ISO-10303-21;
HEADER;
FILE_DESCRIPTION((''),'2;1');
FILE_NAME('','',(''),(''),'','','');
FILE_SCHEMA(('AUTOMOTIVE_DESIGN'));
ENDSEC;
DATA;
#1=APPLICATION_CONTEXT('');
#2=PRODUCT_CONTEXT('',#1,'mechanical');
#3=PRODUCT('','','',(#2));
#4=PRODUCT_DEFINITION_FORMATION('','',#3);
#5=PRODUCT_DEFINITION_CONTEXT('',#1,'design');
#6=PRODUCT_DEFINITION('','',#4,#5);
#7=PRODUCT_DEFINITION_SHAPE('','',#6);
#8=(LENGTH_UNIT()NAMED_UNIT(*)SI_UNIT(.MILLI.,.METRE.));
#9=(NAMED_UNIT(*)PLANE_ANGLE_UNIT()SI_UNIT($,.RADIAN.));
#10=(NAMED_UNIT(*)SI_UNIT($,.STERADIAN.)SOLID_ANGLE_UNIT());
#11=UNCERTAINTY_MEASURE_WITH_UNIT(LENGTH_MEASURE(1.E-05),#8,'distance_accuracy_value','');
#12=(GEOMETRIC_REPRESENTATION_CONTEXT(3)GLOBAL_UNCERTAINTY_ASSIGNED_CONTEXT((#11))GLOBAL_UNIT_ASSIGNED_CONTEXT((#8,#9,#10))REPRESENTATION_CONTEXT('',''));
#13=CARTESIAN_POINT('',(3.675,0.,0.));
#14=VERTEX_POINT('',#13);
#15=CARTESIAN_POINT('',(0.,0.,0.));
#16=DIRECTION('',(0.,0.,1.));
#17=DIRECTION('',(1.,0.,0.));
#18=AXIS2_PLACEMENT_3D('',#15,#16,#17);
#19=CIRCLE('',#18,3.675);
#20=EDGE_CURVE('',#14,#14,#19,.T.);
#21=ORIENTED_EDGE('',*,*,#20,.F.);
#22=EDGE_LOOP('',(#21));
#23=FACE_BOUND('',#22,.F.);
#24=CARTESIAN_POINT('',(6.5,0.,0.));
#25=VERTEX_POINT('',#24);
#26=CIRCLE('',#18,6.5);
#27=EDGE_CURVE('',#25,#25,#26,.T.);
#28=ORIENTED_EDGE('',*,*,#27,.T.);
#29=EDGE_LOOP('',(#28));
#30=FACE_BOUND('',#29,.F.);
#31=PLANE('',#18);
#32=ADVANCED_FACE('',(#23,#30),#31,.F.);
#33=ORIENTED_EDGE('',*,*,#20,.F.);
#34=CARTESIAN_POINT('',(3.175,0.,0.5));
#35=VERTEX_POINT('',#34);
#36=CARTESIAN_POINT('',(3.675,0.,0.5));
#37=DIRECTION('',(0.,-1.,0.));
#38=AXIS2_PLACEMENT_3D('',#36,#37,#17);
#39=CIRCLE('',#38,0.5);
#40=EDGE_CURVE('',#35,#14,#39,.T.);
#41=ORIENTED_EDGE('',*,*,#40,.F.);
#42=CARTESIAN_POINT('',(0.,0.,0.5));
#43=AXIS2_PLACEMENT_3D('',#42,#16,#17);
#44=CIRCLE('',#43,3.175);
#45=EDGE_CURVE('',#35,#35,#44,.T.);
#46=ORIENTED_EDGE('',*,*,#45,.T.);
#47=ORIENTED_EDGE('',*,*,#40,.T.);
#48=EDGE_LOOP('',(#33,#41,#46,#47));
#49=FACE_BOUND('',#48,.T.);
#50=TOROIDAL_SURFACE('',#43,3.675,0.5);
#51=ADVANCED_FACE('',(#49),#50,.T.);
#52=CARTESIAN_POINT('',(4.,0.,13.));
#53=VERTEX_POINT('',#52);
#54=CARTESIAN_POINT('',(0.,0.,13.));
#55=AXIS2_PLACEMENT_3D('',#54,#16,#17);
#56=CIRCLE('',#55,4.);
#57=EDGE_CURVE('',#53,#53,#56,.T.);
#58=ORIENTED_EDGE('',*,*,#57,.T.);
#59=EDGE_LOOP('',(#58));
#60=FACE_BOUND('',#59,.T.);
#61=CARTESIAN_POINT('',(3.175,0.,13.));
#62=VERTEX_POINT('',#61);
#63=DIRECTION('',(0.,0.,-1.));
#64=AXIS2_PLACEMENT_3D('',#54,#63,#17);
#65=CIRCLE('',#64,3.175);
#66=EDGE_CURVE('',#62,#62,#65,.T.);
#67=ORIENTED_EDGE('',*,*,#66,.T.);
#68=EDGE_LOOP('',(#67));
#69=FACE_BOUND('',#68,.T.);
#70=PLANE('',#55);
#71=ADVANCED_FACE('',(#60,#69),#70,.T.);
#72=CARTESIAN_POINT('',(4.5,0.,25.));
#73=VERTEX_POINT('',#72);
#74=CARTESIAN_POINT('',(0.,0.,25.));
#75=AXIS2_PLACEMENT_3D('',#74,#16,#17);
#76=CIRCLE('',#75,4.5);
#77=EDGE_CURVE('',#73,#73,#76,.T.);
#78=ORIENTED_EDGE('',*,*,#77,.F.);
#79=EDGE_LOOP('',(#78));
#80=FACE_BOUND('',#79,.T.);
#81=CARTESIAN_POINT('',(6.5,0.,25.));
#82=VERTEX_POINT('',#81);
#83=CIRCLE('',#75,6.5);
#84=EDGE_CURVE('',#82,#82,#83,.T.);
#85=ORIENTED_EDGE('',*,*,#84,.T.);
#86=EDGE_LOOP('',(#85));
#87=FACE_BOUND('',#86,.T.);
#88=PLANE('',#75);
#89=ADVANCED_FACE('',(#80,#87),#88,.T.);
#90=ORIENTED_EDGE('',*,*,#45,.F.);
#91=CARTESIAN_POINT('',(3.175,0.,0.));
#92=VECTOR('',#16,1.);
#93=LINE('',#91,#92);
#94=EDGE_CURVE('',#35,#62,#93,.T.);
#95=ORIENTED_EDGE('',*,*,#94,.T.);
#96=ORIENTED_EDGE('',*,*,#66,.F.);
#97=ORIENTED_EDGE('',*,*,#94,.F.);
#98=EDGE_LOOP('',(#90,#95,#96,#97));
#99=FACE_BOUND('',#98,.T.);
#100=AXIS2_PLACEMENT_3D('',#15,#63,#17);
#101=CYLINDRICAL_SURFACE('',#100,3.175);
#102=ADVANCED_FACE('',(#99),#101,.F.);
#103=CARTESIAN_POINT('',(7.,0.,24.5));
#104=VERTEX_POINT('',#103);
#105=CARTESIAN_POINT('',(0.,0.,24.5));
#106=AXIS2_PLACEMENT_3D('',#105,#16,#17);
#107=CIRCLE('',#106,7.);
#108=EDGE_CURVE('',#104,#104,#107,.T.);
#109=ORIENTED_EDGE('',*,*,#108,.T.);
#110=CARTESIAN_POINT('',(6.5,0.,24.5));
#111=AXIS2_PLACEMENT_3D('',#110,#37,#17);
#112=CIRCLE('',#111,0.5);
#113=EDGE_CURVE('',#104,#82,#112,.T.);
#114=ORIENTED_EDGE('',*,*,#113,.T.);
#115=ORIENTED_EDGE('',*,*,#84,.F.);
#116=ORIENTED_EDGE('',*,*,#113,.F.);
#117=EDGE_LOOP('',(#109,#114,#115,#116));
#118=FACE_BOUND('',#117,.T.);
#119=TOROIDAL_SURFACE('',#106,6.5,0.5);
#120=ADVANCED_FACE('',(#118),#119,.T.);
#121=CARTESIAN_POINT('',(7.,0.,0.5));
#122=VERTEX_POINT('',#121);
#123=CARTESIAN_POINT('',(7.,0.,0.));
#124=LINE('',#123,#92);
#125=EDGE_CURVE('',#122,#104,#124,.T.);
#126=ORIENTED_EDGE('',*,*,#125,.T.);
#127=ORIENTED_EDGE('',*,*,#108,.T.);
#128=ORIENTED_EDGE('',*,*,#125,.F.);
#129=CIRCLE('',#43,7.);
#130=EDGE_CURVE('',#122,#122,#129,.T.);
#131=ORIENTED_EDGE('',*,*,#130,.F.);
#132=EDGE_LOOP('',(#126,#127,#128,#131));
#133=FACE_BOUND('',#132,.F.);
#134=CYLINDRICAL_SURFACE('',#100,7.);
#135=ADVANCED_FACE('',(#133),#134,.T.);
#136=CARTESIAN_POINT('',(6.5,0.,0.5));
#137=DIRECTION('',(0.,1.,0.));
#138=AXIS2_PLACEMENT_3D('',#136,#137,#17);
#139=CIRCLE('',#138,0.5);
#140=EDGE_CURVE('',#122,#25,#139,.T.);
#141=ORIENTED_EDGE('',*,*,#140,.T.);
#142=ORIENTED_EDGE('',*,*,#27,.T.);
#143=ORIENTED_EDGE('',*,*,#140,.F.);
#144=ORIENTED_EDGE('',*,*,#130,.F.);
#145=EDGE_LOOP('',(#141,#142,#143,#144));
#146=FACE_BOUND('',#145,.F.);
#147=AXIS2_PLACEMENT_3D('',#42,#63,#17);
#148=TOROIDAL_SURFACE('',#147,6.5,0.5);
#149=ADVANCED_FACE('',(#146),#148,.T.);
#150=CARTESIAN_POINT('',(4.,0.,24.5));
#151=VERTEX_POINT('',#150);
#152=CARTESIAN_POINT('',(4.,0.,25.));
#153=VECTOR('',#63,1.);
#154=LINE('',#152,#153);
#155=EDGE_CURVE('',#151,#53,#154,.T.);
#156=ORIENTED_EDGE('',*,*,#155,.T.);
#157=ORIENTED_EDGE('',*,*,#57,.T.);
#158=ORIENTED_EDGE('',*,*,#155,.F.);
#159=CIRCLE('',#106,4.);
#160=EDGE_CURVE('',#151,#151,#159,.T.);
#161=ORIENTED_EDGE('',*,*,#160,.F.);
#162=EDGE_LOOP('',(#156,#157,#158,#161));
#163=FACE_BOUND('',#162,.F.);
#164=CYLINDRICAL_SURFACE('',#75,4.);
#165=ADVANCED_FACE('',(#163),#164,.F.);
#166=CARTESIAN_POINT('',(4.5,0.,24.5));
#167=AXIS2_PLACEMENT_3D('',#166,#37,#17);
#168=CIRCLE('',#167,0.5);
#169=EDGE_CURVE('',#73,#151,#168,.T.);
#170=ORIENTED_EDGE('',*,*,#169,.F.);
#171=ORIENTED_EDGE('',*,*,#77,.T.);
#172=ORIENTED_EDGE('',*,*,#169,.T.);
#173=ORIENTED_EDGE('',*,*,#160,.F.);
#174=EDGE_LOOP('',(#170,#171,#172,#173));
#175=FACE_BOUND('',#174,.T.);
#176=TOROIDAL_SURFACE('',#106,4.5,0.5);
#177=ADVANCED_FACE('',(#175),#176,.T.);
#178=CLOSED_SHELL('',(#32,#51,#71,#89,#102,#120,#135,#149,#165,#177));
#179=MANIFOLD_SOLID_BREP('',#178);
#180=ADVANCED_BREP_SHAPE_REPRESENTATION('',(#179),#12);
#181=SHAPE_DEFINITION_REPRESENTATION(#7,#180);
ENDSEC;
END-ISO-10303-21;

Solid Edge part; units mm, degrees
sketch "Sketch1" plane through (0, 0, 0) normal (0, 0, 1) x (1, 0, 0)
  circle A0 centre (0, 0) radius 7
  circle A1 centre (0, 0) radius 3.175
extrude "Protrusion1" add sketch "Sketch1" along normal blind 25
fillet "Round_1" radius 0.5 4 edges at (-7, 0, 25) (-7, 0, 0) (-3.175, 0, 0) (-3.175, 0, 25)
sketch "Sketch2" plane through (0, 0, 25) normal (0, 0, 1) x (1, 0, 0)
  circle A0 centre (0, 0) radius 4
extrude "ExtrudedCutout_1" cut sketch "Sketch2" against normal blind 12
fillet "Round_2" radius 0.5 1 edges at (-4, 0, 25)
